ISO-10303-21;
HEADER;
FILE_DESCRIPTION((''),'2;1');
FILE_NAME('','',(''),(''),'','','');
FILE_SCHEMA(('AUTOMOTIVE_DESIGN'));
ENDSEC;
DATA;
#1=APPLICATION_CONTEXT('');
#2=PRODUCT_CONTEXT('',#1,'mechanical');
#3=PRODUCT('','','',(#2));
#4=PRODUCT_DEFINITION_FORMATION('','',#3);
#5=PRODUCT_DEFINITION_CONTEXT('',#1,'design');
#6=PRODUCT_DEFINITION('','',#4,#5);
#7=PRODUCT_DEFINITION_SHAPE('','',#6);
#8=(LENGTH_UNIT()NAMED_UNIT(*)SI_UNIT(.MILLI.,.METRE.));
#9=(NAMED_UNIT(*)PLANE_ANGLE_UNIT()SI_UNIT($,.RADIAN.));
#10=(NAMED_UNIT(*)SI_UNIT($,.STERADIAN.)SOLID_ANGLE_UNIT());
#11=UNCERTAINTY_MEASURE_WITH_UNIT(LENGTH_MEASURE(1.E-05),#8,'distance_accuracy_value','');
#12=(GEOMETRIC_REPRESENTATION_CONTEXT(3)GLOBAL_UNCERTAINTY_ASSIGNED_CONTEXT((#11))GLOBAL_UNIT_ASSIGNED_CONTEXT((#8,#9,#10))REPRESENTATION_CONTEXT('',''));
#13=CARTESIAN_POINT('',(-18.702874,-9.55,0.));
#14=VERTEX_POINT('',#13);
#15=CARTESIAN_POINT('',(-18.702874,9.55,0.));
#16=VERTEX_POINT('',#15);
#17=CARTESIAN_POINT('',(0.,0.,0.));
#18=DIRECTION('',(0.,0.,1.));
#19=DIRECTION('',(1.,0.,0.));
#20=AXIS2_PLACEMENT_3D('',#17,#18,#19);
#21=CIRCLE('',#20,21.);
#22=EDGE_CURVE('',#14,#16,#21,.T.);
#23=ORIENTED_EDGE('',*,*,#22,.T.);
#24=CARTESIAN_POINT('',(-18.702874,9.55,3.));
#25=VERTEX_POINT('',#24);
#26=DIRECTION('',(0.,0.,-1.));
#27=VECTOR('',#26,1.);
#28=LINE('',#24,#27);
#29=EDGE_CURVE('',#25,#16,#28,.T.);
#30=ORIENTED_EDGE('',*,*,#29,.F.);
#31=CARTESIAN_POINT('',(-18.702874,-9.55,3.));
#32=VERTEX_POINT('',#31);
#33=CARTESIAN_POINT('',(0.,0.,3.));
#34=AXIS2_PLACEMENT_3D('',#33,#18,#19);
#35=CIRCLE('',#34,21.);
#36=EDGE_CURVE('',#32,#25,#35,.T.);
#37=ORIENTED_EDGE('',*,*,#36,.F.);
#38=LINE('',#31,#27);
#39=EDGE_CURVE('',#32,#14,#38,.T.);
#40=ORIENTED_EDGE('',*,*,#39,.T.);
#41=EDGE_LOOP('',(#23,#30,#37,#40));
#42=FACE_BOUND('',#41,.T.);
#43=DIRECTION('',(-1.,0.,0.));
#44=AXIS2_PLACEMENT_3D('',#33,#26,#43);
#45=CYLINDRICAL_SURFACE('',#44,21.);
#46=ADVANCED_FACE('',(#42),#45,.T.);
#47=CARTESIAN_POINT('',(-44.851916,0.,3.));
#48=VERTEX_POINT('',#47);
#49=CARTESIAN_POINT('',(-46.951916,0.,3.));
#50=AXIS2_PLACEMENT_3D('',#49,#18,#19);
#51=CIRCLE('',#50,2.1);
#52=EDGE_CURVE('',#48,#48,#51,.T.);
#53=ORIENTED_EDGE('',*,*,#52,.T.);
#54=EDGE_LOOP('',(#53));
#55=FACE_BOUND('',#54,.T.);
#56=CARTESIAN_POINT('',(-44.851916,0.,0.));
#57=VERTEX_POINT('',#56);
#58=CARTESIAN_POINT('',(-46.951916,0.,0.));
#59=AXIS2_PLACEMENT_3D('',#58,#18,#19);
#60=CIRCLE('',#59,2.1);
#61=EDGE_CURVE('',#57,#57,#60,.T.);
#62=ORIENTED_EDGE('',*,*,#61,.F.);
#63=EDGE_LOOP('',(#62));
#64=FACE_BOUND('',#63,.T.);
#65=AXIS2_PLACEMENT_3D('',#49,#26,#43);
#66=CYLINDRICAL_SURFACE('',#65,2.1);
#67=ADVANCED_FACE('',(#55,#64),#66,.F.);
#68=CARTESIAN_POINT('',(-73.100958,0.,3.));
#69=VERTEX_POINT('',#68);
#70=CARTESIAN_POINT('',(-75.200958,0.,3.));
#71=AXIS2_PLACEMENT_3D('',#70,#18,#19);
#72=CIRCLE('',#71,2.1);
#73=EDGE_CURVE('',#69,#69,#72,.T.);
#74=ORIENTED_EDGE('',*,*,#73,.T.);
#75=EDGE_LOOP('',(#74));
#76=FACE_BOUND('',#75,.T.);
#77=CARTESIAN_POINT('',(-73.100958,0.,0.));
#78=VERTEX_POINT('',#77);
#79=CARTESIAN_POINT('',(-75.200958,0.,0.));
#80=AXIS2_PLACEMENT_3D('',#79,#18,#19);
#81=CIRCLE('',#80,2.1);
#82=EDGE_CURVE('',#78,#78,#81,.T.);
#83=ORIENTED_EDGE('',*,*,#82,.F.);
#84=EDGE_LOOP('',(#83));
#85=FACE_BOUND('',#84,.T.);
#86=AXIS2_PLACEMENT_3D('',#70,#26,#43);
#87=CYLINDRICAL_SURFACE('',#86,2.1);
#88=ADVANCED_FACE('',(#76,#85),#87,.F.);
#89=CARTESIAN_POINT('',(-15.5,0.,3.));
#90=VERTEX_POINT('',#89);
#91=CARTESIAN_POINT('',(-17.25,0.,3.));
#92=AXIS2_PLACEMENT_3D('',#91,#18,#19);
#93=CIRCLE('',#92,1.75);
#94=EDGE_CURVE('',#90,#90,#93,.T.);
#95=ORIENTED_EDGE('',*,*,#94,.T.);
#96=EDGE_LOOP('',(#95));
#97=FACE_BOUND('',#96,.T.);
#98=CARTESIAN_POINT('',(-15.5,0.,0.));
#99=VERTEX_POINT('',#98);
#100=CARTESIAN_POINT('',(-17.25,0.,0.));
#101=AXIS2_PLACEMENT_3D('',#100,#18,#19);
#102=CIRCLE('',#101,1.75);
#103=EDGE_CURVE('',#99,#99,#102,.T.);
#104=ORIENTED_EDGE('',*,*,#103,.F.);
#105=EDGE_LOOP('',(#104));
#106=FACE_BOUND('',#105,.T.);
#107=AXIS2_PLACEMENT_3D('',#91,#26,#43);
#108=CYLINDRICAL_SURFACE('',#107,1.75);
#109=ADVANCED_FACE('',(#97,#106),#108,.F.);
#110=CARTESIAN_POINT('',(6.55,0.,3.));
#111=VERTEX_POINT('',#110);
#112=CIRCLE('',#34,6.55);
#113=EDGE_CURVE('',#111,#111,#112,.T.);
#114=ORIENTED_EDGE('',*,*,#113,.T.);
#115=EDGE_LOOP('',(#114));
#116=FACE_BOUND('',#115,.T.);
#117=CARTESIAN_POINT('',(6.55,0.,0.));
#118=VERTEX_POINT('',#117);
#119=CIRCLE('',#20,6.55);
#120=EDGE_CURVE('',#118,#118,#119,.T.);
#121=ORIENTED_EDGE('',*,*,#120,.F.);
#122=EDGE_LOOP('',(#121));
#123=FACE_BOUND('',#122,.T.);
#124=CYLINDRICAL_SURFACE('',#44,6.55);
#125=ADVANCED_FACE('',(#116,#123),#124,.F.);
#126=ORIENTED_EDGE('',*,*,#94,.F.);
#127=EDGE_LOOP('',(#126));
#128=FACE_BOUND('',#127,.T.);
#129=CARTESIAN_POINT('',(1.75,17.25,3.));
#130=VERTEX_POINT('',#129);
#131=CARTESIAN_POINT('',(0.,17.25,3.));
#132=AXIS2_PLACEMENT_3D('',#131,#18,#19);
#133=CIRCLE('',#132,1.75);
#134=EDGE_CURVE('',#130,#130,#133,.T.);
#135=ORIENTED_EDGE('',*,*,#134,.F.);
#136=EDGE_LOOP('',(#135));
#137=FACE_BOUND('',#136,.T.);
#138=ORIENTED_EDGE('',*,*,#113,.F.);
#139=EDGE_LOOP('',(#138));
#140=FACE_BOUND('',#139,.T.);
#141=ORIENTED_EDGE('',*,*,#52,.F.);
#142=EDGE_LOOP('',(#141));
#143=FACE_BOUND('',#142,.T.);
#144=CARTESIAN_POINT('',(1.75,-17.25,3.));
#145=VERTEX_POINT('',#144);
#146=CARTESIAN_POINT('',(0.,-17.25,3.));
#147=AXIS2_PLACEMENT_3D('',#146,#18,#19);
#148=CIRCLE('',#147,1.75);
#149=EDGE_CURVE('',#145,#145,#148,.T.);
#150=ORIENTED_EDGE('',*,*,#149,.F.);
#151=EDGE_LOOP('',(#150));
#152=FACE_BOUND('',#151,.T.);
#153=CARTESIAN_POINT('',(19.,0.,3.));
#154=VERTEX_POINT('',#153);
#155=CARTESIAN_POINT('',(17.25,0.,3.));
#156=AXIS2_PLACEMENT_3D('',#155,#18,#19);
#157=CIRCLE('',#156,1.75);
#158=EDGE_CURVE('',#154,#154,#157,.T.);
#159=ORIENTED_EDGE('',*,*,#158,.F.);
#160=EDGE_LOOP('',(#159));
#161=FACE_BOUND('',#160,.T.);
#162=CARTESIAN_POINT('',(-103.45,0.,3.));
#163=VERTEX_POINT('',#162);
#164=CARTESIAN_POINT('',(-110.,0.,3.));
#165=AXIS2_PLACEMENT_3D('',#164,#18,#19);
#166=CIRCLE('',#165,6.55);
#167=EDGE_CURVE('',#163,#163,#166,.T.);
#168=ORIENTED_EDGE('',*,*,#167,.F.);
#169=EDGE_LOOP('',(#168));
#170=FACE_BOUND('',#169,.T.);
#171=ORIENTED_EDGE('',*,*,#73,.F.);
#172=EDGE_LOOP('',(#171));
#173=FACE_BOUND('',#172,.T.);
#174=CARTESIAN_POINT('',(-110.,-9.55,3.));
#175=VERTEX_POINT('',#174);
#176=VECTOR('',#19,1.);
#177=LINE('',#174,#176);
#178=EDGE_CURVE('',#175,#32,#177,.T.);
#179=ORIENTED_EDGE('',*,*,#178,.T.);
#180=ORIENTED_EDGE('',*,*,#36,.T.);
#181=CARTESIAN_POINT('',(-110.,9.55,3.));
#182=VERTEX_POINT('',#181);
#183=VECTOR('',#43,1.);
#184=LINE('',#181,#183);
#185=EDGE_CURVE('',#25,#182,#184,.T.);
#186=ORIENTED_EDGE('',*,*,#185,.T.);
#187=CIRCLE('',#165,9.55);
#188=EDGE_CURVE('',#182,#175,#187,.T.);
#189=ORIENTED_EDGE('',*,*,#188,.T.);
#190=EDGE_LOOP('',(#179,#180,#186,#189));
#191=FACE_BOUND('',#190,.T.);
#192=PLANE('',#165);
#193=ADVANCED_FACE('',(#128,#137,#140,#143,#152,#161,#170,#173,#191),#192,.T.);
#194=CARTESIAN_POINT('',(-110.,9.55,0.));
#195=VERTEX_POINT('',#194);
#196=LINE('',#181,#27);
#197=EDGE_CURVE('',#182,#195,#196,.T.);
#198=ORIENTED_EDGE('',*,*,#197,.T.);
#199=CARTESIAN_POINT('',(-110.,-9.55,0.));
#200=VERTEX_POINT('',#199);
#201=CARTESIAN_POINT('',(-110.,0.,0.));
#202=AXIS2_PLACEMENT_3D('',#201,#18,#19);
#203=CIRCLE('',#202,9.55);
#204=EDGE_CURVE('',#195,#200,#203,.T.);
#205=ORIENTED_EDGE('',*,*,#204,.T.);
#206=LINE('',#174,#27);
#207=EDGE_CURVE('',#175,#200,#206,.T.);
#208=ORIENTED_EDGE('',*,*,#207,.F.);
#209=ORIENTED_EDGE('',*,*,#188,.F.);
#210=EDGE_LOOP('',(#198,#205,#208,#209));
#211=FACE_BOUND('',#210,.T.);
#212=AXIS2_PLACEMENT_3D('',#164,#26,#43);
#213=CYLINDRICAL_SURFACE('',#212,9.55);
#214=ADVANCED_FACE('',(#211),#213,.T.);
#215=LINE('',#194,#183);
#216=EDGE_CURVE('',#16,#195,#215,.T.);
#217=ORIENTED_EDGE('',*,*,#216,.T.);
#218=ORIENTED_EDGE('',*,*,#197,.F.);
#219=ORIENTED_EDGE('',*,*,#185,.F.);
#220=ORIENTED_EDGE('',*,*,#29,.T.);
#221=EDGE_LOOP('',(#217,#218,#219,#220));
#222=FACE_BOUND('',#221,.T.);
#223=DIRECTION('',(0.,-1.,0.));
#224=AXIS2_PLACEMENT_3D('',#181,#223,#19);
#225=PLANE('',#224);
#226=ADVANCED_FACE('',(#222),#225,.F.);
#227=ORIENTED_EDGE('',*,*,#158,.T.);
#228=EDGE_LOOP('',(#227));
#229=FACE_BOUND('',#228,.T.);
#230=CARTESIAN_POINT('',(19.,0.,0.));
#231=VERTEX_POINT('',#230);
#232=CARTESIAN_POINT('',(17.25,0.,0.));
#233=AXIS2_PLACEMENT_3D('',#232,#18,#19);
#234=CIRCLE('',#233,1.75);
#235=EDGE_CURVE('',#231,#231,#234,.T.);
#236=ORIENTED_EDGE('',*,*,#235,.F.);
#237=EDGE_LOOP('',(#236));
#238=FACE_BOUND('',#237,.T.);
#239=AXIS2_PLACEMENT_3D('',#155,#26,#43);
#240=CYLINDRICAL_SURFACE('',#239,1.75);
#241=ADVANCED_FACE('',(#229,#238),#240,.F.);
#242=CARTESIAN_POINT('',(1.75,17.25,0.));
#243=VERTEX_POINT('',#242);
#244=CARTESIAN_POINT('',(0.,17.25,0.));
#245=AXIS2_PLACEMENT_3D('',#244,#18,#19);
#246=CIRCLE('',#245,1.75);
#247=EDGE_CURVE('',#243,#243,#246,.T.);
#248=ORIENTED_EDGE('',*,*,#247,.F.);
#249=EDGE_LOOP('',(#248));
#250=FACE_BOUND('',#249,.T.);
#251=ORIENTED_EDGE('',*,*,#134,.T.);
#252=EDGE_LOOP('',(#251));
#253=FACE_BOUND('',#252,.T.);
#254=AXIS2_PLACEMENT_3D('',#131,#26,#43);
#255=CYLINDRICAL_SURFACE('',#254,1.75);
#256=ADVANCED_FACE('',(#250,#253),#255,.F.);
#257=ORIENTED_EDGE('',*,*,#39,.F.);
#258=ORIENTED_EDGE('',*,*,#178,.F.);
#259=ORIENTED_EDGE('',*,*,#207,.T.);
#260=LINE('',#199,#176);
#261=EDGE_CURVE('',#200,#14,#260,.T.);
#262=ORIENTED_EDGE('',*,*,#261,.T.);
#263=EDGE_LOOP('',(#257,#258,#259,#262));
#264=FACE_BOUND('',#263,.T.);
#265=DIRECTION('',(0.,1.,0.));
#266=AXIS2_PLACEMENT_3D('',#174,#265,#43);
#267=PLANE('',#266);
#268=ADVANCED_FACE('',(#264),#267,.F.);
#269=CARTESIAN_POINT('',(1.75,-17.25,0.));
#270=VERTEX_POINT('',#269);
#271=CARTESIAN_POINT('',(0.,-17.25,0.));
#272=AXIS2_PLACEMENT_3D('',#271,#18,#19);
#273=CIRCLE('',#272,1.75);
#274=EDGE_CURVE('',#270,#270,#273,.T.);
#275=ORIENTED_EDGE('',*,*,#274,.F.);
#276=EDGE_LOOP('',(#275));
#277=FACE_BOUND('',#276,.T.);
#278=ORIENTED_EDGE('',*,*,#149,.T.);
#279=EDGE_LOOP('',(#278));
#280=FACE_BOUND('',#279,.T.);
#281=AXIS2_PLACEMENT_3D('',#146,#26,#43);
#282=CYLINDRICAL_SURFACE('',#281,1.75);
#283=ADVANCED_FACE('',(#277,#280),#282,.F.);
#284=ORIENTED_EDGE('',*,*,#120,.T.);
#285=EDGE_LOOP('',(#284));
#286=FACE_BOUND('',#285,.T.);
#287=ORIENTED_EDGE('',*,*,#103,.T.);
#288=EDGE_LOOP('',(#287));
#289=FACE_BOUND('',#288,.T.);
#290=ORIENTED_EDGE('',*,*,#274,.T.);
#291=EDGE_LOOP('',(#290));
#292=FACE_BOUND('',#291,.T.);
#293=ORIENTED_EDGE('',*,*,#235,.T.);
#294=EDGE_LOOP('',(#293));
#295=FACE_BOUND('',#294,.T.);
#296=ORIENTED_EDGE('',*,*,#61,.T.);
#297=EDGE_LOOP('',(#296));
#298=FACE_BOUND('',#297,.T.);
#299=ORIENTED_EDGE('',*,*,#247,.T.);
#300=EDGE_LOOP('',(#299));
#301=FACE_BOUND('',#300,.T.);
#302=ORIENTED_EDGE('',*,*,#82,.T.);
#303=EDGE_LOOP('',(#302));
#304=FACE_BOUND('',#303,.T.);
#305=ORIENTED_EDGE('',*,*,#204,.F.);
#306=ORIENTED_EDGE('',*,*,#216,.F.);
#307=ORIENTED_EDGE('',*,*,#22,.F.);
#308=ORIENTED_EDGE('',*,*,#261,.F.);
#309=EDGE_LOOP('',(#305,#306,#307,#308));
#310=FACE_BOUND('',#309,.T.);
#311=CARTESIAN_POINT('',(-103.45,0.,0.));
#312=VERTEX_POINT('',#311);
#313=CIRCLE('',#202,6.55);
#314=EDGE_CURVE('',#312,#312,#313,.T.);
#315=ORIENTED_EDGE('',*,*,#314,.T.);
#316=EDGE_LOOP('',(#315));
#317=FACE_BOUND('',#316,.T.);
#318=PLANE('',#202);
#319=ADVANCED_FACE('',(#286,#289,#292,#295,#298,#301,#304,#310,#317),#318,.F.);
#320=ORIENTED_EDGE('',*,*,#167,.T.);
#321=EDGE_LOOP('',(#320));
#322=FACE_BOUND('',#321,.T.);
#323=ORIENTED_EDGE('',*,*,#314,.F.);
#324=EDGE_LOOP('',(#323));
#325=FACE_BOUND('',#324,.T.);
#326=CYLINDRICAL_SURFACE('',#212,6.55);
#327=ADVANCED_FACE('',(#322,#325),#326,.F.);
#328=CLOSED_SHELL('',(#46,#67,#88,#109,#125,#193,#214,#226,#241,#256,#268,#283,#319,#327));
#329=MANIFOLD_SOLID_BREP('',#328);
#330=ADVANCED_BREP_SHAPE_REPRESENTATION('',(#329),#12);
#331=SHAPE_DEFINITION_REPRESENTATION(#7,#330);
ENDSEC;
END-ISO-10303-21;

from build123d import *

# Parameters (mm, degrees)
ESQUISSE1_R        = 6.55
ESQUISSE1_R_2      = 2.1
ESQUISSE1_R_3      = 1.75
BOSS_EXTRU_1_DEPTH = 3


with BuildPart() as part:
    # Esquisse1 → Boss.-Extru.1 (new body)
    with BuildSketch(Plane.XY):
        with BuildLine():
            Line((-110, 9.55), (-18.702874111, 9.55))
            ThreePointArc((-18.702874111, 9.55), (21, 0), (-18.702874111, -9.55))
            Line((-18.702874111, -9.55), (-110, -9.55))
            ThreePointArc((-110, -9.55), (-119.55, 0), (-110, 9.55))
        make_face()
        with Locations((-110, 0)):
            Circle(ESQUISSE1_R, mode=Mode.SUBTRACT)
        Circle(ESQUISSE1_R, mode=Mode.SUBTRACT)
        with Locations((-75.200958037, 0)):
            Circle(ESQUISSE1_R_2, mode=Mode.SUBTRACT)
        with Locations((-46.951916074, 0)):
            Circle(ESQUISSE1_R_2, mode=Mode.SUBTRACT)
        with Locations((-17.25, 0)):
            Circle(ESQUISSE1_R_3, mode=Mode.SUBTRACT)
        with Locations((0, 17.25)):
            Circle(ESQUISSE1_R_3, mode=Mode.SUBTRACT)
        with Locations((17.25, 0)):
            Circle(ESQUISSE1_R_3, mode=Mode.SUBTRACT)
        with Locations((0, -17.25)):
            Circle(ESQUISSE1_R_3, mode=Mode.SUBTRACT)
    extrude(amount=BOSS_EXTRU_1_DEPTH)


solid = part.part
